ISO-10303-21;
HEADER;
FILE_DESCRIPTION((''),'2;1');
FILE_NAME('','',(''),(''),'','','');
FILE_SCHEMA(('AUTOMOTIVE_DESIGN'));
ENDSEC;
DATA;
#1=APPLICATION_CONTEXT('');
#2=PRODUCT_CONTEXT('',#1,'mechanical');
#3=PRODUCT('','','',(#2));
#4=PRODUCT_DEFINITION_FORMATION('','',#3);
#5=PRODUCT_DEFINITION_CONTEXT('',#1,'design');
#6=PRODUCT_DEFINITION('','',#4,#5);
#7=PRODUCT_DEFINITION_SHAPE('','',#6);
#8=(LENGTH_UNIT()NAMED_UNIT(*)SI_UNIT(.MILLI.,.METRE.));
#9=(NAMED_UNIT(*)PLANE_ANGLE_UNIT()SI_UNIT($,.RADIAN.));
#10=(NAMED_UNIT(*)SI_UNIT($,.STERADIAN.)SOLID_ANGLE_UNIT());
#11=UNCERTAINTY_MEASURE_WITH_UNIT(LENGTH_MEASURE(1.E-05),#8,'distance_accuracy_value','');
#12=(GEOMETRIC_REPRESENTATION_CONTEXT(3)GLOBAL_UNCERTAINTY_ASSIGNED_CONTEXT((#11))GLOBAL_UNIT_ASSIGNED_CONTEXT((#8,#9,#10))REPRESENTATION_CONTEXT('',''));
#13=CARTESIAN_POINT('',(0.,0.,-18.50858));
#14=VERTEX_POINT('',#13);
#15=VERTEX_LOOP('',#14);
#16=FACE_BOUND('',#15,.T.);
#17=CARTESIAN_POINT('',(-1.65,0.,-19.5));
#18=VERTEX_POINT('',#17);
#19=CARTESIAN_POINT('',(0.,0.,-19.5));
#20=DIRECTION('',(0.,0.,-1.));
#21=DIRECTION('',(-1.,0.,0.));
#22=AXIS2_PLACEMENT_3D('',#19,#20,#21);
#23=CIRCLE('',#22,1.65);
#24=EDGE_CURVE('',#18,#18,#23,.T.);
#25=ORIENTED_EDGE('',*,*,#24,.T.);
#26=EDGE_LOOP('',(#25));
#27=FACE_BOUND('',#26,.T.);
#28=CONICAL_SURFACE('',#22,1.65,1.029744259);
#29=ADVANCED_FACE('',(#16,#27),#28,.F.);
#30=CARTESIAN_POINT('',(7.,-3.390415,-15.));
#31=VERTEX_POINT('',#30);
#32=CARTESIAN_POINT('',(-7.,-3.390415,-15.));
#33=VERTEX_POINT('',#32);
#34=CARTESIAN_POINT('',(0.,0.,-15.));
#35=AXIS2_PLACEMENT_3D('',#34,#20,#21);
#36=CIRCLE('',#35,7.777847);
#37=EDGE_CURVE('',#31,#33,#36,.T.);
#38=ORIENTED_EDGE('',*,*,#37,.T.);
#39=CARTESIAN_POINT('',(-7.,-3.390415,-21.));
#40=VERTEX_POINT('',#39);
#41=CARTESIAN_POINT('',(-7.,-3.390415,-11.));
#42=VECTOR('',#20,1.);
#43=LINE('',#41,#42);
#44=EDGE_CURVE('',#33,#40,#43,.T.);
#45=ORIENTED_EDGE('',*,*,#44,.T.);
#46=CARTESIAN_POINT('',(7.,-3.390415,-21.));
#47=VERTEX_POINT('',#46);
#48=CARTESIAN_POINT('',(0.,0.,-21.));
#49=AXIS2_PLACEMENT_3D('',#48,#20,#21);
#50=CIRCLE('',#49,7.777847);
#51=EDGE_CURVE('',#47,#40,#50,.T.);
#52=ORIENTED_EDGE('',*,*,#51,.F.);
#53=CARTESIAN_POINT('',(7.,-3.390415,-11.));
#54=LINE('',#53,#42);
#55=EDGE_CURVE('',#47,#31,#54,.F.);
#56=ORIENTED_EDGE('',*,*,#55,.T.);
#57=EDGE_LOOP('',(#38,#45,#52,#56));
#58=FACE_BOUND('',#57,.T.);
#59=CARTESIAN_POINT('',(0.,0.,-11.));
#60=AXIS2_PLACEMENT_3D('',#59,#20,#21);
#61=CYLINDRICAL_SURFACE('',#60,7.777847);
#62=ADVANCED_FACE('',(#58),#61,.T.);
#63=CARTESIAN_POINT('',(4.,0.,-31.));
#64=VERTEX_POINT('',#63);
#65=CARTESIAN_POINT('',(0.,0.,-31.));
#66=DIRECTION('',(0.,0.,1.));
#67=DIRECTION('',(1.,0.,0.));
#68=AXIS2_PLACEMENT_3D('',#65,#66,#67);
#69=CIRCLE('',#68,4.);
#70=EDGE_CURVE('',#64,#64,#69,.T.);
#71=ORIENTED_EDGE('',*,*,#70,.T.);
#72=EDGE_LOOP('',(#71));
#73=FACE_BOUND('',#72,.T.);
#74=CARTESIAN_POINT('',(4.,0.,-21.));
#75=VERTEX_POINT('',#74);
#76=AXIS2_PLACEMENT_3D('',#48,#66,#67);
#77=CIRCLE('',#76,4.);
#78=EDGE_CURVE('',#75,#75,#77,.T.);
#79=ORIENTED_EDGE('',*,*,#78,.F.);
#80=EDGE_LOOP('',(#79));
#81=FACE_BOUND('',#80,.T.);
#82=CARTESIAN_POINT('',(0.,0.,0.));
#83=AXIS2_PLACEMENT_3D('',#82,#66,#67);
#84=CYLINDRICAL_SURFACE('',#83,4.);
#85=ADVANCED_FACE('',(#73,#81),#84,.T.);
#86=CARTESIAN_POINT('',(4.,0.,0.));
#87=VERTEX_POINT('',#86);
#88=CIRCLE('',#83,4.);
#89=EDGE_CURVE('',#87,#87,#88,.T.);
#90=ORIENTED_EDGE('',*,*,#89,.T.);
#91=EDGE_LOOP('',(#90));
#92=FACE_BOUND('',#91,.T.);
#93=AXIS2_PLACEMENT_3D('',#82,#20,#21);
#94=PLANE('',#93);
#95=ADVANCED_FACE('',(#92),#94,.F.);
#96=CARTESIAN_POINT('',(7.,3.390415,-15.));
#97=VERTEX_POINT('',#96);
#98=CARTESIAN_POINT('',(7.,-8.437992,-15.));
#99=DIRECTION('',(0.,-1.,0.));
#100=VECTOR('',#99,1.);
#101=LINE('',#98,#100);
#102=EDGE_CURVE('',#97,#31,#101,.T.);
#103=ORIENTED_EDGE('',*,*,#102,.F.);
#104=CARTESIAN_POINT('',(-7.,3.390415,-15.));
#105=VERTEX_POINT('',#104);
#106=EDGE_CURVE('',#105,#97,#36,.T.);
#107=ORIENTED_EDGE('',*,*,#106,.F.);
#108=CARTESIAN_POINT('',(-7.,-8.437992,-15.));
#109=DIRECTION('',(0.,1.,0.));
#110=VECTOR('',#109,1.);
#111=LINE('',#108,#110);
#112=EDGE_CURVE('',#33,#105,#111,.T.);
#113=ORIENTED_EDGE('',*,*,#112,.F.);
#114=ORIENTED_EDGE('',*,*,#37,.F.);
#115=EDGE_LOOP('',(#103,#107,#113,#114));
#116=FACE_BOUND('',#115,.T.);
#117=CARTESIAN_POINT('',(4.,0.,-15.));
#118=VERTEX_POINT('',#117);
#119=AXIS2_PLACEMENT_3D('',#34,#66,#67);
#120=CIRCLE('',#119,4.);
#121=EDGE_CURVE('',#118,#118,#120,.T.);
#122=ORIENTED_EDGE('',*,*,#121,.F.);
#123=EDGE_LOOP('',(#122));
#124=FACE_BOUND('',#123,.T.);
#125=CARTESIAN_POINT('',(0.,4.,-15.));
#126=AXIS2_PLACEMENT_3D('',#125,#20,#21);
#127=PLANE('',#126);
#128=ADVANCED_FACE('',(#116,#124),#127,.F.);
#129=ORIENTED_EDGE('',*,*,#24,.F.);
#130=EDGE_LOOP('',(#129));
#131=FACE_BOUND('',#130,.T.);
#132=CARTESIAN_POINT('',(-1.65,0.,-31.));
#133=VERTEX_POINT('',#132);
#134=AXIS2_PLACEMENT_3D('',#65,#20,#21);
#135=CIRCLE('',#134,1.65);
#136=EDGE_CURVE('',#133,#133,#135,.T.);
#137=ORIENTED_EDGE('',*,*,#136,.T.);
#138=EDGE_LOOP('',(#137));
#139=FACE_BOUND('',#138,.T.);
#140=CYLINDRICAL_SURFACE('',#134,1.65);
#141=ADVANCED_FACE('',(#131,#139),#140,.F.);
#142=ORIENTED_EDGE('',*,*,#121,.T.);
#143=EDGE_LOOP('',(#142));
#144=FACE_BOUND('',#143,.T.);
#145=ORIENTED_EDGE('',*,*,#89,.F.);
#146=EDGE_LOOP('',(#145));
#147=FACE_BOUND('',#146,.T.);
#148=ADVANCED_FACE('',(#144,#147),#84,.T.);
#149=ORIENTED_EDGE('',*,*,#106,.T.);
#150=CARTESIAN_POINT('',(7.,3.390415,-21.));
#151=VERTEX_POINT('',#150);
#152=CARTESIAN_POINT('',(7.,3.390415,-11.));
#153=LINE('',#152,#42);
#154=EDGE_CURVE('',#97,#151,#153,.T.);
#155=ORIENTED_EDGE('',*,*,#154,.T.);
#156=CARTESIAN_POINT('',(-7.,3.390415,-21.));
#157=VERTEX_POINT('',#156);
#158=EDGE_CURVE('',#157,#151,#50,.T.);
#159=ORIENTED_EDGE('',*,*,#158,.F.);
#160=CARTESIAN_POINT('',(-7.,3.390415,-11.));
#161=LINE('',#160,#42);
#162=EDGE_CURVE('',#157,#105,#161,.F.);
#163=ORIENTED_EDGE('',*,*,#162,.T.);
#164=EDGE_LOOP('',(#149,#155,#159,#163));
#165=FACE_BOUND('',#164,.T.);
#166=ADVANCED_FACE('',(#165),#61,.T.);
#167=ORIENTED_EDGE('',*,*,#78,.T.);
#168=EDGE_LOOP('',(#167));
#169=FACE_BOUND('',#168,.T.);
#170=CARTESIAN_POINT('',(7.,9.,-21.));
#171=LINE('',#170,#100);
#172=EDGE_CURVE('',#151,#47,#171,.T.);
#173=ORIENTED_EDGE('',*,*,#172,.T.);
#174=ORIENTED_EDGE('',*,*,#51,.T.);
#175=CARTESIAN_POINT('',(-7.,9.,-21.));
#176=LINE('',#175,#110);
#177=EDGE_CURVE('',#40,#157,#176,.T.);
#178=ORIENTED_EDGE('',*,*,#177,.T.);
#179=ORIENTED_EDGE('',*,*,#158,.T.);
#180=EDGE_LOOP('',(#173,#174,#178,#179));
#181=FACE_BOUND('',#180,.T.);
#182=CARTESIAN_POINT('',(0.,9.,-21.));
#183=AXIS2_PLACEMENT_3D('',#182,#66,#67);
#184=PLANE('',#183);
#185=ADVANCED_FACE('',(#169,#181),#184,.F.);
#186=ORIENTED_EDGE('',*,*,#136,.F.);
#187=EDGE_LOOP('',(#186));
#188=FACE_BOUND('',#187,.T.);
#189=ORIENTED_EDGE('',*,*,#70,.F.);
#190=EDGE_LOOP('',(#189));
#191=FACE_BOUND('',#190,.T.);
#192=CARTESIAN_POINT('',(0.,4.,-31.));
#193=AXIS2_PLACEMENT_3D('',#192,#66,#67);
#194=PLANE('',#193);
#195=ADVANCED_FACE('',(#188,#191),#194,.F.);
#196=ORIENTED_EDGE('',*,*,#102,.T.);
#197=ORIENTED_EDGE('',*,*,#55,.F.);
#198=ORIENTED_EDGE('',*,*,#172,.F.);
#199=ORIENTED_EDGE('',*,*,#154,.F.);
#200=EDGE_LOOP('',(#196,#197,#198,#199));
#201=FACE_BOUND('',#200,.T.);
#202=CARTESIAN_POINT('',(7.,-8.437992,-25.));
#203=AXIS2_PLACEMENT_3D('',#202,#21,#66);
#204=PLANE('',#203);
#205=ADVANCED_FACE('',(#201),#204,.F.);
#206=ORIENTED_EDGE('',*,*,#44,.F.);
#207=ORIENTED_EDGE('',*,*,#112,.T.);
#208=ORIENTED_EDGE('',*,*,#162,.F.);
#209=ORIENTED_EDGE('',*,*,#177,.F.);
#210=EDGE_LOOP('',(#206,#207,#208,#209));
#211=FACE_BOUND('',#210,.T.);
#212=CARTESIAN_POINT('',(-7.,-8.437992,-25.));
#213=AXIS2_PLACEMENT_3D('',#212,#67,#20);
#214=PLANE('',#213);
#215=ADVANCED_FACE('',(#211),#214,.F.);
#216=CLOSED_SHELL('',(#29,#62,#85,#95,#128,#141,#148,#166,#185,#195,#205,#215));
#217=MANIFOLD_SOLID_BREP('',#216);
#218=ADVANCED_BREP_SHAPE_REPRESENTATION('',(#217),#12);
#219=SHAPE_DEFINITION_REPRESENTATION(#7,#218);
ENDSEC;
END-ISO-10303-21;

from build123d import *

# Parameters (mm, degrees)
SKETCH_3_W             = 8
SKETCH_3_H             = 16.823898374
CUT_EXTRUDE_1_DEPTH    = 10
HOLE_WIZARD_M4_1_D     = 3.3
HOLE_WIZARD_M4_1_DEPTH = 11.5
HOLE_WIZARD_M4_1_TIP   = 0.991420021
SKETCH_5_OUTSIDE_W     = 23.696
SKETCH_5_OUTSIDE_H     = 27.696
SKETCH_5_OUTSIDE_R     = 7.77784742
CUT_EXTRUDE_2_DEPTH    = 10


with BuildPart() as part:
    # 草图2 → 旋转1 (revolve)
    with BuildSketch(Plane(origin=(0, 0, 0), x_dir=(0, 0, -1), z_dir=(1, 0, 0))):
        Polygon((0, 0), (0, 4), (15, 4), (15, 9), (21, 9), (21, 4), (31, 4), (31, 0), align=None)
    revolve(axis=Axis((0, 0, 0), (0, 0, -1)))

    # 草图3 → 切除-拉伸1 (cut)
    with BuildSketch(Plane.XY.offset(-15)):
        with Locations((-11, -0.026043186)):
            Rectangle(SKETCH_3_W, SKETCH_3_H)
        with Locations((11, -0.026043186)):
            Rectangle(SKETCH_3_W, SKETCH_3_H)
    extrude(amount=-CUT_EXTRUDE_1_DEPTH, mode=Mode.SUBTRACT)

    # M4 螺纹孔1
    with Locations(Plane(origin=(0, 0, -31), x_dir=(-1, 0, 0), z_dir=(0, 0, -1))):
        with Locations((0, 0)):
            Hole(HOLE_WIZARD_M4_1_D / 2, depth=HOLE_WIZARD_M4_1_DEPTH)
            with Locations((0, 0, -(HOLE_WIZARD_M4_1_DEPTH + HOLE_WIZARD_M4_1_TIP / 2))):  # 118° drill point
                Cone(0, HOLE_WIZARD_M4_1_D / 2, HOLE_WIZARD_M4_1_TIP, mode=Mode.SUBTRACT)

    # 草图5 outside → 切除-拉伸2 (cut)
    with BuildSketch(Plane(origin=(0, 0, -21), x_dir=(-1, 0, 0), z_dir=(0, 0, -1))):
        Rectangle(SKETCH_5_OUTSIDE_W, SKETCH_5_OUTSIDE_H)
        Circle(SKETCH_5_OUTSIDE_R, mode=Mode.SUBTRACT)
    extrude(amount=-CUT_EXTRUDE_2_DEPTH, mode=Mode.SUBTRACT)


solid = part.part
